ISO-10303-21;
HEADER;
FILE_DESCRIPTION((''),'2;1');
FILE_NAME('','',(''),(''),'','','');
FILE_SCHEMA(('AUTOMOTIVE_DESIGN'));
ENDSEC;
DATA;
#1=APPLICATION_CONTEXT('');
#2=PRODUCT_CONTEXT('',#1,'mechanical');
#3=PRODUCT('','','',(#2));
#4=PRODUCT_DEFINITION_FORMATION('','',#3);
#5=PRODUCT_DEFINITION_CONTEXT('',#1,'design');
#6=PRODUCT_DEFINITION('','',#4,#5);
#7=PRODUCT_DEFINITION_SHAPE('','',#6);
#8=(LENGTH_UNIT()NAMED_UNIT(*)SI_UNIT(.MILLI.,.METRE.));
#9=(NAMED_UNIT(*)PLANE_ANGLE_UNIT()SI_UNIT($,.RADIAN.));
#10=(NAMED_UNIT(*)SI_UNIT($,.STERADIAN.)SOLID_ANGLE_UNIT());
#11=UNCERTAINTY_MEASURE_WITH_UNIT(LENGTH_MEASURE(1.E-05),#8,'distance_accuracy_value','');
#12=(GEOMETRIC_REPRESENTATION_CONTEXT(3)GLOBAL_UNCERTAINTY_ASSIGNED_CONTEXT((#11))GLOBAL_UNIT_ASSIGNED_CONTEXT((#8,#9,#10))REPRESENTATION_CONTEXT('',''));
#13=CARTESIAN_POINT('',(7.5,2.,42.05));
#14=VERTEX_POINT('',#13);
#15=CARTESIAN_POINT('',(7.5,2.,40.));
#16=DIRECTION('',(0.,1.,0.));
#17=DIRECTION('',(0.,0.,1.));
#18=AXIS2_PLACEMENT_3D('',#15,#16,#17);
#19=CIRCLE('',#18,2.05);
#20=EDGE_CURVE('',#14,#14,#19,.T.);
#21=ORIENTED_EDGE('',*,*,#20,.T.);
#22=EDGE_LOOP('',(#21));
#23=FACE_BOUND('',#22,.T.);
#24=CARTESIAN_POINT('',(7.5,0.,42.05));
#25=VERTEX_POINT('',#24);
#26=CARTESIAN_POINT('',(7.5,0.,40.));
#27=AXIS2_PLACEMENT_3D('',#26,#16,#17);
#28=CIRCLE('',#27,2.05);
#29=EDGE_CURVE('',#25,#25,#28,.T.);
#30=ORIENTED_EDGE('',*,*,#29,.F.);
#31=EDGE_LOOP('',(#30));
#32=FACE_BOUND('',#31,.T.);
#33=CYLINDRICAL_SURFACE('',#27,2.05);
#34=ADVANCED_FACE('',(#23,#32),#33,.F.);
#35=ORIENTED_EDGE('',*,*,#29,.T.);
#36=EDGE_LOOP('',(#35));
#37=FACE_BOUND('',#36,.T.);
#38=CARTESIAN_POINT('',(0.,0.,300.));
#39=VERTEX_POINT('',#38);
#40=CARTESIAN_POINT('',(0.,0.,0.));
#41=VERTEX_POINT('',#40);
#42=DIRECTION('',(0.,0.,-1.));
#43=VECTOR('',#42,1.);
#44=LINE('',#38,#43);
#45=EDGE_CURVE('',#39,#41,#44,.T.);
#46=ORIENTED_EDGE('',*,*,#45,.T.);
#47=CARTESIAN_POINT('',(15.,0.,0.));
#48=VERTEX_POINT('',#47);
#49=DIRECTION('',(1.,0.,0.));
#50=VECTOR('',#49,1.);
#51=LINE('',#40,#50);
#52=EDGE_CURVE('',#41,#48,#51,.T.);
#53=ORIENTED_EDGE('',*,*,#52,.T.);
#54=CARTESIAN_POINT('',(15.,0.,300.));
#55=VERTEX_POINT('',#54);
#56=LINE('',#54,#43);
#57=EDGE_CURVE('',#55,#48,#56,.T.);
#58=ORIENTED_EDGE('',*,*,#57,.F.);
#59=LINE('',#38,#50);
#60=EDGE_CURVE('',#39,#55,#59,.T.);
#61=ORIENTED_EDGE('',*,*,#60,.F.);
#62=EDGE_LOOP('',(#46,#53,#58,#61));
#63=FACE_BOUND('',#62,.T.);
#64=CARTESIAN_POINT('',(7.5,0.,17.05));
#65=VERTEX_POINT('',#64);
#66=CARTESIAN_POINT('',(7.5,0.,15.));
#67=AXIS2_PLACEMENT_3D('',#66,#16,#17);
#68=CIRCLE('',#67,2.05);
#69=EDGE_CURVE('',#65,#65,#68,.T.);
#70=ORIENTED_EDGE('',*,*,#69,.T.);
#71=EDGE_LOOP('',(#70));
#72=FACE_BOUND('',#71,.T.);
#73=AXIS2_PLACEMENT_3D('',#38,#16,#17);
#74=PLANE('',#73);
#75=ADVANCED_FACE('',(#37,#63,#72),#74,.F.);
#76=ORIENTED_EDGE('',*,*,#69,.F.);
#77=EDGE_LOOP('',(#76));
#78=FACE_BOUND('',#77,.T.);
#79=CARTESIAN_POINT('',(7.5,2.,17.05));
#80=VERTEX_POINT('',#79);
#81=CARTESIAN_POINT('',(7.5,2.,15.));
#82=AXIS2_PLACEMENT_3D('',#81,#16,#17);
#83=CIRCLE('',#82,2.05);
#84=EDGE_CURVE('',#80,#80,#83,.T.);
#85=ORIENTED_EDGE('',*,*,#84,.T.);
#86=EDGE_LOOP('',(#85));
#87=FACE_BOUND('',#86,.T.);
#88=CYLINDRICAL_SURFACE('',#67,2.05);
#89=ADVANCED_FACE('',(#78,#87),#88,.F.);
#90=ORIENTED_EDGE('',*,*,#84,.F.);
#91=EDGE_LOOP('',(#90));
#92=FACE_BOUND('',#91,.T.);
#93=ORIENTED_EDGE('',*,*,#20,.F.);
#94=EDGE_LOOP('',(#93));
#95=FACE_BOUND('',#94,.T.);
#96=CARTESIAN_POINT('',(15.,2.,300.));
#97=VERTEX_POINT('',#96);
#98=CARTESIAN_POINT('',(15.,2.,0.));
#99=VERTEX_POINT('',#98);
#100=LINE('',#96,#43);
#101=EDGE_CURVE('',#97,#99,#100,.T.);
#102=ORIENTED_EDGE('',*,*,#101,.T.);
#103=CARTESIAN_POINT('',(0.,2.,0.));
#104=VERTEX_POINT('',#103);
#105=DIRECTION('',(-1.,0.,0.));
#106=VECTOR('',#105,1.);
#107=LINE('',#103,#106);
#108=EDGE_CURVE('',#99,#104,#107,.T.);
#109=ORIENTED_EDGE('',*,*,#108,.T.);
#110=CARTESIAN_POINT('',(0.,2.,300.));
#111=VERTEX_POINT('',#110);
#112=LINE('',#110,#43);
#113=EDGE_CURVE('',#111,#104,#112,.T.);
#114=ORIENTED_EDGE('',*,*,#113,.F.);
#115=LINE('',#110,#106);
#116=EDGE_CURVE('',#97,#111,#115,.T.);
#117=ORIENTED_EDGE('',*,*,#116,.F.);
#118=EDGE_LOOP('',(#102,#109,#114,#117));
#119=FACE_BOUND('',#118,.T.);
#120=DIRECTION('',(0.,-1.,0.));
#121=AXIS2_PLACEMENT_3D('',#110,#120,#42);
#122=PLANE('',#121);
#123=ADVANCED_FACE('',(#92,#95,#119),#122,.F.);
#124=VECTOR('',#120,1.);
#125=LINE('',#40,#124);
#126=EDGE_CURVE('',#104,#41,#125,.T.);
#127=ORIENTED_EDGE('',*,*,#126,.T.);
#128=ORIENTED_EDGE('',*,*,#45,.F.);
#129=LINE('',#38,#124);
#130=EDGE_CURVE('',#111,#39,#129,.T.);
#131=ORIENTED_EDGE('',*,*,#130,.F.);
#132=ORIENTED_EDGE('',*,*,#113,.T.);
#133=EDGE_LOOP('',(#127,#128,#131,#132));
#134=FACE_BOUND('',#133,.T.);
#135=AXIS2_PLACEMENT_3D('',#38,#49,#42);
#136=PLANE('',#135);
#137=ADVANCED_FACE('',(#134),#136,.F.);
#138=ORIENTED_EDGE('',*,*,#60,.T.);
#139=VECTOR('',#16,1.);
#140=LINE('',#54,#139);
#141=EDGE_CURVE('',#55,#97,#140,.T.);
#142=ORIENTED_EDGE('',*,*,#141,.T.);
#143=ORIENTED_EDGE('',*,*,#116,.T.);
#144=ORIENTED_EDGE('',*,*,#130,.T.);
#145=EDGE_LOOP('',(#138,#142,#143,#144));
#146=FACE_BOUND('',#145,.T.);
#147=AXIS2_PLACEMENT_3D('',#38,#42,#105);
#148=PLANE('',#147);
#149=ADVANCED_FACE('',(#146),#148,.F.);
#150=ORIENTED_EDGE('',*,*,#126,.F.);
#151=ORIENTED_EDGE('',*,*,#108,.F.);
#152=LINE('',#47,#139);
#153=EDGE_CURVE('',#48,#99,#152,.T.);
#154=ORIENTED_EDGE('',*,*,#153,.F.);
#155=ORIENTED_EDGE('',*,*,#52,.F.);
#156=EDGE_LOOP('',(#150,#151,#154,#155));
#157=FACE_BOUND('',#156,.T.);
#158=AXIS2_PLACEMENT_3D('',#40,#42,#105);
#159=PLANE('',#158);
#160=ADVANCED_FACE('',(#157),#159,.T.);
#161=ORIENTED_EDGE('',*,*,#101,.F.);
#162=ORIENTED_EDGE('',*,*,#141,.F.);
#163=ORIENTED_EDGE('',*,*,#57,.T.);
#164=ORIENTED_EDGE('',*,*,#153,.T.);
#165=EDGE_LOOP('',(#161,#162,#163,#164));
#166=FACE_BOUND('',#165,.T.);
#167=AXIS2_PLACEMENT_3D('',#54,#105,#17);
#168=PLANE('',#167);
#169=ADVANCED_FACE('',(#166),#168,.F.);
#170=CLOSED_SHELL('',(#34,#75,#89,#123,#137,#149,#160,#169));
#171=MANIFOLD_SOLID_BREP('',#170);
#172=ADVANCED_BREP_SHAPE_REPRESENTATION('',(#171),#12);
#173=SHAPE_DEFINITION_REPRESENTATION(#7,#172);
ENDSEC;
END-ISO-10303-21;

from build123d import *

# Parameters (mm, degrees)
SKETCH1_W           = 15
SKETCH1_H           = 2
BOSS_EXTRUDE1_DEPTH = 300
SKETCH2_R           = 2.05
CUT_EXTRUDE1_DEPTH  = 301.381424193


with BuildPart() as part:
    # Sketch1 → Boss-Extrude1 (new body)
    with BuildSketch(Plane.XY):
        with Locations((7.5, 1)):
            Rectangle(SKETCH1_W, SKETCH1_H)
    extrude(amount=BOSS_EXTRUDE1_DEPTH)

    # Sketch2 → Cut-Extrude1 (cut, through all)
    with BuildSketch(Plane(origin=(0, 2, 0), x_dir=(1, 0, 0), z_dir=(0, 1, 0))):
        with Locations(Location((7.5, -15, 0), (0, 0, 270))):
            Circle(SKETCH2_R)
        with Locations(Location((7.5, -40, 0), (0, 0, 270))):
            Circle(SKETCH2_R)
    extrude(amount=-CUT_EXTRUDE1_DEPTH, mode=Mode.SUBTRACT)


solid = part.part
